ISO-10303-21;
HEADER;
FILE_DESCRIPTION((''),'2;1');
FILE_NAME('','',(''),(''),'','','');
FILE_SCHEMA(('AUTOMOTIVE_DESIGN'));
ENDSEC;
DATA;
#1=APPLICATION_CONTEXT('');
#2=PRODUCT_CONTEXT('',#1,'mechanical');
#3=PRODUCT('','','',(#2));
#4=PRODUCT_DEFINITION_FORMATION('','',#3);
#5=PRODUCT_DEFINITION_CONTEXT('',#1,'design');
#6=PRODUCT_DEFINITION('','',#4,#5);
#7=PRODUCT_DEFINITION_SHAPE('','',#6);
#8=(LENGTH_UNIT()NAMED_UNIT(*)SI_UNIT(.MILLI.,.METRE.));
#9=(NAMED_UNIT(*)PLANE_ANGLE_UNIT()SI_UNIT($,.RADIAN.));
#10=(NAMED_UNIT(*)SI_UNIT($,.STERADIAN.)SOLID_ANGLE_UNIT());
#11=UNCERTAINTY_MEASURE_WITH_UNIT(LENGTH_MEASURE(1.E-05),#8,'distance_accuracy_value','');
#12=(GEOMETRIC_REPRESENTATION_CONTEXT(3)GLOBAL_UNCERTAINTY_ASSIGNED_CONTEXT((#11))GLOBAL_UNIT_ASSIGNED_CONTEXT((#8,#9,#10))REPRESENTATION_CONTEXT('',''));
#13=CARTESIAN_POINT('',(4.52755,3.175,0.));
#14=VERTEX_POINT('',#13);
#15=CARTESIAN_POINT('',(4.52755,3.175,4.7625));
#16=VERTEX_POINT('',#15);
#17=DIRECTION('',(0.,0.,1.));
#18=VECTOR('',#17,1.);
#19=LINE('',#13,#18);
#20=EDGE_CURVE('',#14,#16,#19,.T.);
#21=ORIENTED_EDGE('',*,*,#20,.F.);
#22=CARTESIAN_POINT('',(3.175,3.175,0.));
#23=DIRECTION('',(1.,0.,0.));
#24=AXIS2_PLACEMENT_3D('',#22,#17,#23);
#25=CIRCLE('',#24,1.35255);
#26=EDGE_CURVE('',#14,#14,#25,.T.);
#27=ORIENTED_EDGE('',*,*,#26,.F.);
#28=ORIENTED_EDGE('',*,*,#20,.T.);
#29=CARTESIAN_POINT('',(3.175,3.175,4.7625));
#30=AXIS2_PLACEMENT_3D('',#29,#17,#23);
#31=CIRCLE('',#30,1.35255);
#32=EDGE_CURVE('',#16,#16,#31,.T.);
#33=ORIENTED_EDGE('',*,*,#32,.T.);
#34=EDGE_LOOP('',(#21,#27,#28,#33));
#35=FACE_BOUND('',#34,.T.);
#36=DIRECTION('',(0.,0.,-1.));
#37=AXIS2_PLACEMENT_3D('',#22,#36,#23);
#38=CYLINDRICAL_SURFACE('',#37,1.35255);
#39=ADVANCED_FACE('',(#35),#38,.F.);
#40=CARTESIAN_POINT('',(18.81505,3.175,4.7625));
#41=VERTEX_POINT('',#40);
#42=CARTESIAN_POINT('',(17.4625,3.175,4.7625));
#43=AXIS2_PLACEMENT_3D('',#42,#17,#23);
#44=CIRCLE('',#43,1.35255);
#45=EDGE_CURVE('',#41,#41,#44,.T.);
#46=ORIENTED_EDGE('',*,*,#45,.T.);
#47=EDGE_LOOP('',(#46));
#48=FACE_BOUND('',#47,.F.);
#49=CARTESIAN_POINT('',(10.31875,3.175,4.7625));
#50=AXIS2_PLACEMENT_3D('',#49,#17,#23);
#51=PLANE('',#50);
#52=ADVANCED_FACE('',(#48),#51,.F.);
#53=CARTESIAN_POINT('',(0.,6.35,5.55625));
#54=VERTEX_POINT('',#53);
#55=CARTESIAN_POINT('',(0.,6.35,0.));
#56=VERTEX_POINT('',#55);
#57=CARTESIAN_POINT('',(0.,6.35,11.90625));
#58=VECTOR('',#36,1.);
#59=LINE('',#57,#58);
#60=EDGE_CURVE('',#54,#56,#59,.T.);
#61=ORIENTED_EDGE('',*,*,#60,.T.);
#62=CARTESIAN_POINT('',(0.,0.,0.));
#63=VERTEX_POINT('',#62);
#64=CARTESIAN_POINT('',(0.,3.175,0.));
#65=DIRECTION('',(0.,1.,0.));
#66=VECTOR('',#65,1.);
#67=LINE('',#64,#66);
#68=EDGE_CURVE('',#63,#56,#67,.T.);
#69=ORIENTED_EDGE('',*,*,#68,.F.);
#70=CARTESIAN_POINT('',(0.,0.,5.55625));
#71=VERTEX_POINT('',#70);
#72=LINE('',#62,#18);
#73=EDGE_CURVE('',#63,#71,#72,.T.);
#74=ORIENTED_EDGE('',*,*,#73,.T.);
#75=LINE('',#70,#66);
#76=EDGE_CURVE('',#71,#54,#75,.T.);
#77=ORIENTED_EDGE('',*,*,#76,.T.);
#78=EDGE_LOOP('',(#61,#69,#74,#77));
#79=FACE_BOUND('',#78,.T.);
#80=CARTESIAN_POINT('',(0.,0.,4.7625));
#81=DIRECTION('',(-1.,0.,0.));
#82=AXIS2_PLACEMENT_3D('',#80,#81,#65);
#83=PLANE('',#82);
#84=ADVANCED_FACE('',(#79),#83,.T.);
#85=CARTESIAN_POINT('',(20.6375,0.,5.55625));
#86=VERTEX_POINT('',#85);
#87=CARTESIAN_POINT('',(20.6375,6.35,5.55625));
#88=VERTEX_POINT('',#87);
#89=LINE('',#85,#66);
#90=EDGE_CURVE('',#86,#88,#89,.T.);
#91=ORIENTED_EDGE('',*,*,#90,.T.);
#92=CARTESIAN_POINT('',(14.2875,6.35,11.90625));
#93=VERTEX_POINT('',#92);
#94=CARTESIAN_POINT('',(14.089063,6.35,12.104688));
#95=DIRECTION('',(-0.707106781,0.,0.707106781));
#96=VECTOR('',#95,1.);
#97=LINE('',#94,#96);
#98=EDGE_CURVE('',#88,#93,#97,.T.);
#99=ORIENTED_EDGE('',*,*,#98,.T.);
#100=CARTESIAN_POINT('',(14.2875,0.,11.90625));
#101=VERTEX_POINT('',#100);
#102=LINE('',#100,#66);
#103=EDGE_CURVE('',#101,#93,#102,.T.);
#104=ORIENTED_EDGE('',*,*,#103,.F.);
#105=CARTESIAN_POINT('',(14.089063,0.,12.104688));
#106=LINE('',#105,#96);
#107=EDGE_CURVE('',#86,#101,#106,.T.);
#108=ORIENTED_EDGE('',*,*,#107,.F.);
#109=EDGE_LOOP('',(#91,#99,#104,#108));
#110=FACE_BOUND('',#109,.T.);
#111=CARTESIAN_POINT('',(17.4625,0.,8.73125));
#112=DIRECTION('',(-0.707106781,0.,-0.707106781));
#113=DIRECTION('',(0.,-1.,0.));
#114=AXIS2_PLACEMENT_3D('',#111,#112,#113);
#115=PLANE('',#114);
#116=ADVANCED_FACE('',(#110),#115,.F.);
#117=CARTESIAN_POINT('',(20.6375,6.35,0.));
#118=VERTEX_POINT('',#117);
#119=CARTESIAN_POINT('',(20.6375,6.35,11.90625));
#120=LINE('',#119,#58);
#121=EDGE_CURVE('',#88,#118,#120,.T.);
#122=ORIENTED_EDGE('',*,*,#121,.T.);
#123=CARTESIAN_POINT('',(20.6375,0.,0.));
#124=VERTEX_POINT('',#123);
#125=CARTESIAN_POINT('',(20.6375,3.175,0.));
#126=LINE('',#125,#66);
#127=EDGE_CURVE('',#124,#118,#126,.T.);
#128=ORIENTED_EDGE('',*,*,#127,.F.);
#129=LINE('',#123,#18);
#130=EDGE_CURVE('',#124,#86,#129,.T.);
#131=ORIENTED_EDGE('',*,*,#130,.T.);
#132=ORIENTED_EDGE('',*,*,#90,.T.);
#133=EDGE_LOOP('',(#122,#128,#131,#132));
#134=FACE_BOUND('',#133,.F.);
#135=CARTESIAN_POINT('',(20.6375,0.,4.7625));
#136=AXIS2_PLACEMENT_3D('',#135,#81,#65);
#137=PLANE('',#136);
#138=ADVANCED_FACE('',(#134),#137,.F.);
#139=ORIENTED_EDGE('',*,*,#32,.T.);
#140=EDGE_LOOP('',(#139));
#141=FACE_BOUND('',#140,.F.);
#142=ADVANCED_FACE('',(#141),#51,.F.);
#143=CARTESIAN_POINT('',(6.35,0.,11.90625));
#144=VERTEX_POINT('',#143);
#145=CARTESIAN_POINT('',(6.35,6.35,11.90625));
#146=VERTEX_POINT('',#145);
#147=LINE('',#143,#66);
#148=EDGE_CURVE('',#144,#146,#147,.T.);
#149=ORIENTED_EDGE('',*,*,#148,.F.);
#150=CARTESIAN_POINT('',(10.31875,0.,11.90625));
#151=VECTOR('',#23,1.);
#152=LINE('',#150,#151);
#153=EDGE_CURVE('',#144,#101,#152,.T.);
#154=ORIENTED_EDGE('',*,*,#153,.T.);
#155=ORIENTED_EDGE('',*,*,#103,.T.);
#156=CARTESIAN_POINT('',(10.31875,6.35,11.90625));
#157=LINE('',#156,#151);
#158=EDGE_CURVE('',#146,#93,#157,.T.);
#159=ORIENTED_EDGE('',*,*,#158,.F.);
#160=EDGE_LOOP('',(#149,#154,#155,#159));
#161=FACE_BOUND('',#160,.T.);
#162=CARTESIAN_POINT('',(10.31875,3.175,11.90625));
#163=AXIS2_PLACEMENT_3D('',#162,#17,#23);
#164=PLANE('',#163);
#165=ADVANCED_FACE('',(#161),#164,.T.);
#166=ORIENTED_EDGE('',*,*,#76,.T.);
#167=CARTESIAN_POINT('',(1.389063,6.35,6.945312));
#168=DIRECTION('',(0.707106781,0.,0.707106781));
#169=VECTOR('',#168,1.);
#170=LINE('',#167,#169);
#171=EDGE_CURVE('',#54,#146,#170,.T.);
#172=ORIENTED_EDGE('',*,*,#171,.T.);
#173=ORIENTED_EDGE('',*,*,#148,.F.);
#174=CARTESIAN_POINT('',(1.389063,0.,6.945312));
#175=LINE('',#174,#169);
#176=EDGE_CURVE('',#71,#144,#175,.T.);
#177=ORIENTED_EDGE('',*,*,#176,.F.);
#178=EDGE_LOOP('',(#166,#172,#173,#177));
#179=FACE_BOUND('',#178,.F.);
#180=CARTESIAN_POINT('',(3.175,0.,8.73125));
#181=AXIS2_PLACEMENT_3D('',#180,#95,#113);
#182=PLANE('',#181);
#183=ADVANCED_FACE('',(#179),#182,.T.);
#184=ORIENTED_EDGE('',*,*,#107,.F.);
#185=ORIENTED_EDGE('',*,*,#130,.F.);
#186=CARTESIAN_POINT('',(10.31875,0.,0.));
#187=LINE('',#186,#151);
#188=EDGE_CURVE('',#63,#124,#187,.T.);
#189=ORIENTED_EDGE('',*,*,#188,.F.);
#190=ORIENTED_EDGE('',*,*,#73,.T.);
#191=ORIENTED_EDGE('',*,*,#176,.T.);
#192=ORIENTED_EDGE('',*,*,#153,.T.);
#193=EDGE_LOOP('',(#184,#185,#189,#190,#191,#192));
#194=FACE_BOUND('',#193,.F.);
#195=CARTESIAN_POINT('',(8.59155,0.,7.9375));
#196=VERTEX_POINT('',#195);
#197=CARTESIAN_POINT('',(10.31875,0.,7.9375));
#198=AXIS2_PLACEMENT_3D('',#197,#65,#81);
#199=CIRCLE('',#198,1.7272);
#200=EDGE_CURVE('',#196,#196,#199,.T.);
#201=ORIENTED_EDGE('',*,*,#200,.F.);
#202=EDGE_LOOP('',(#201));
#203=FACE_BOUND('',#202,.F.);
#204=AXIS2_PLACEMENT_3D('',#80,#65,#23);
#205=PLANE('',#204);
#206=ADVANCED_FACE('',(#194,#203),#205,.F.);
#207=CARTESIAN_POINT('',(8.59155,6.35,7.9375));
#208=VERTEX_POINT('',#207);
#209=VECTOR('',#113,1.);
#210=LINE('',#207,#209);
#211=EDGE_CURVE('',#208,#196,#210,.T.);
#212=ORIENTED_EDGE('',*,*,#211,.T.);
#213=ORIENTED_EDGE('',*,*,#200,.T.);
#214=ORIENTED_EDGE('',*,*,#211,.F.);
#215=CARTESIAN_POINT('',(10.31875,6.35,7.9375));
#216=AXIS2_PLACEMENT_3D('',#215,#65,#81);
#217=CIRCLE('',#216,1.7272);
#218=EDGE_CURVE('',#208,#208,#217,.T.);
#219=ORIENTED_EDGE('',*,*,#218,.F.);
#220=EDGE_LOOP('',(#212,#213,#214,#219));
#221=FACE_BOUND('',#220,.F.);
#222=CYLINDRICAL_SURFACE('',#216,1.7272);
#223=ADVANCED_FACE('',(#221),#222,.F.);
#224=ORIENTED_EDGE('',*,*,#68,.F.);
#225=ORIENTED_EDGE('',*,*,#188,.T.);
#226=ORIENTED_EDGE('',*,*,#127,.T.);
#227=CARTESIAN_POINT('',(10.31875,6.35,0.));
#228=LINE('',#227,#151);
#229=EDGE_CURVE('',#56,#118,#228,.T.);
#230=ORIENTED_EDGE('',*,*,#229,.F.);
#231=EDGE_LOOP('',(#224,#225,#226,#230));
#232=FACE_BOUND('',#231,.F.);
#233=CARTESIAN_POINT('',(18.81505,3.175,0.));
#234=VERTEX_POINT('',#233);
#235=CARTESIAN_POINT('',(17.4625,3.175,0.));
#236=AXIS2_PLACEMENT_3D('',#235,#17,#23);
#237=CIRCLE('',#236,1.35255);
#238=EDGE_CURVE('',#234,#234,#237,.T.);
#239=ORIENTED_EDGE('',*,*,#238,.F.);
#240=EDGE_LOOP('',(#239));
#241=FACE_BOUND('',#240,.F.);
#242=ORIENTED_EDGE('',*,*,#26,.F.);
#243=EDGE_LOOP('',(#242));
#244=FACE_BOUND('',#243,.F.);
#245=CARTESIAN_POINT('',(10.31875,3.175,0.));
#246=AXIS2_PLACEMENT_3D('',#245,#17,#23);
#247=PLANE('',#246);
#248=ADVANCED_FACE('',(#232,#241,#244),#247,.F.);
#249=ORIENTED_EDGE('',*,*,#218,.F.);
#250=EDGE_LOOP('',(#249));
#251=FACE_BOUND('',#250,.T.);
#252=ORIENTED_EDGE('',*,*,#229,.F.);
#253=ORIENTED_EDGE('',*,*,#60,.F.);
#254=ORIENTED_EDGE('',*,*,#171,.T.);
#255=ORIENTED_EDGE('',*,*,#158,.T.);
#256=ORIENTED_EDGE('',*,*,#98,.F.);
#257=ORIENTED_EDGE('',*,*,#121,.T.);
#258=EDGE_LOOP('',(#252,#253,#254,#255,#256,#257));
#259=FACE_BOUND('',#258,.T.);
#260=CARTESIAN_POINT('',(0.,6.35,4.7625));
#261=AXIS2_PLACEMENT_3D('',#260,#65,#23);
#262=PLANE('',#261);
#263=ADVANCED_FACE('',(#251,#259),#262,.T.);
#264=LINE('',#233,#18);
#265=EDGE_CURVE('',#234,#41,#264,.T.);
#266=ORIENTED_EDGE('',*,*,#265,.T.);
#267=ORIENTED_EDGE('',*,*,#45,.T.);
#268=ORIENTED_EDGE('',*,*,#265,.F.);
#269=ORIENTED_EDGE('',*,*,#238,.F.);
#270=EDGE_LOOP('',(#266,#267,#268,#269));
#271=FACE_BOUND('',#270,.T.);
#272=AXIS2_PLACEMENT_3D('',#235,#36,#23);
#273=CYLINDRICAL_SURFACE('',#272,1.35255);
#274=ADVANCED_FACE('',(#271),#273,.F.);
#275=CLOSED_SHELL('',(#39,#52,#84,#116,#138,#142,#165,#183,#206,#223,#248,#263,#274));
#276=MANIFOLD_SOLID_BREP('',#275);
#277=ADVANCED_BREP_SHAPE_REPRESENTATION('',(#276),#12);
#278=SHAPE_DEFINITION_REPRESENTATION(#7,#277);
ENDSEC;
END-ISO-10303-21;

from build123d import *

# Parameters (mm, degrees)
F0_W     = 20.6375
F0_H     = 6.35
F0_R     = 1.35255
F1_DEPTH = 4.7625
F2_W     = 20.6375
F2_H     = 6.35
F3_DEPTH = 7.14375
F4_SIZE  = 6.35
F5_R     = 1.7272
F6_DEPTH = 6.35


with BuildPart() as f1:
    # F0 (on Top) → F1 (new body)
    with BuildSketch(Plane.XY):
        with Locations((10.31875, 3.175)):
            Rectangle(F0_W, F0_H)
        with Locations((3.175, 3.175)):
            Circle(F0_R, mode=Mode.SUBTRACT)
        with Locations((17.4625, 3.175)):
            Circle(F0_R, mode=Mode.SUBTRACT)
    extrude(amount=F1_DEPTH)

    # F2 (on face) → F3 (join)
    with BuildSketch(Plane.XY.offset(4.7625)):
        with Locations((10.31875, 3.175)):
            Rectangle(F2_W, F2_H)
    extrude(amount=F3_DEPTH)

    # F4
    f4_edges = [f1.edges().sort_by_distance(p)[0] for p in [
        (20.6375, 3.175, 11.90625),
        (0, 3.175, 11.90625),
    ]]
    chamfer(f4_edges, length=F4_SIZE)

    # F5 (on face) → F6 (cut, through all)
    with BuildSketch(Plane(origin=(0, 6.35, 0), x_dir=(-1, 0, 0), z_dir=(0, 1, 0))):
        with Locations((-10.31875, 7.9375)):
            Circle(F5_R)
    extrude(amount=-F6_DEPTH, mode=Mode.SUBTRACT)


solid = f1.part
